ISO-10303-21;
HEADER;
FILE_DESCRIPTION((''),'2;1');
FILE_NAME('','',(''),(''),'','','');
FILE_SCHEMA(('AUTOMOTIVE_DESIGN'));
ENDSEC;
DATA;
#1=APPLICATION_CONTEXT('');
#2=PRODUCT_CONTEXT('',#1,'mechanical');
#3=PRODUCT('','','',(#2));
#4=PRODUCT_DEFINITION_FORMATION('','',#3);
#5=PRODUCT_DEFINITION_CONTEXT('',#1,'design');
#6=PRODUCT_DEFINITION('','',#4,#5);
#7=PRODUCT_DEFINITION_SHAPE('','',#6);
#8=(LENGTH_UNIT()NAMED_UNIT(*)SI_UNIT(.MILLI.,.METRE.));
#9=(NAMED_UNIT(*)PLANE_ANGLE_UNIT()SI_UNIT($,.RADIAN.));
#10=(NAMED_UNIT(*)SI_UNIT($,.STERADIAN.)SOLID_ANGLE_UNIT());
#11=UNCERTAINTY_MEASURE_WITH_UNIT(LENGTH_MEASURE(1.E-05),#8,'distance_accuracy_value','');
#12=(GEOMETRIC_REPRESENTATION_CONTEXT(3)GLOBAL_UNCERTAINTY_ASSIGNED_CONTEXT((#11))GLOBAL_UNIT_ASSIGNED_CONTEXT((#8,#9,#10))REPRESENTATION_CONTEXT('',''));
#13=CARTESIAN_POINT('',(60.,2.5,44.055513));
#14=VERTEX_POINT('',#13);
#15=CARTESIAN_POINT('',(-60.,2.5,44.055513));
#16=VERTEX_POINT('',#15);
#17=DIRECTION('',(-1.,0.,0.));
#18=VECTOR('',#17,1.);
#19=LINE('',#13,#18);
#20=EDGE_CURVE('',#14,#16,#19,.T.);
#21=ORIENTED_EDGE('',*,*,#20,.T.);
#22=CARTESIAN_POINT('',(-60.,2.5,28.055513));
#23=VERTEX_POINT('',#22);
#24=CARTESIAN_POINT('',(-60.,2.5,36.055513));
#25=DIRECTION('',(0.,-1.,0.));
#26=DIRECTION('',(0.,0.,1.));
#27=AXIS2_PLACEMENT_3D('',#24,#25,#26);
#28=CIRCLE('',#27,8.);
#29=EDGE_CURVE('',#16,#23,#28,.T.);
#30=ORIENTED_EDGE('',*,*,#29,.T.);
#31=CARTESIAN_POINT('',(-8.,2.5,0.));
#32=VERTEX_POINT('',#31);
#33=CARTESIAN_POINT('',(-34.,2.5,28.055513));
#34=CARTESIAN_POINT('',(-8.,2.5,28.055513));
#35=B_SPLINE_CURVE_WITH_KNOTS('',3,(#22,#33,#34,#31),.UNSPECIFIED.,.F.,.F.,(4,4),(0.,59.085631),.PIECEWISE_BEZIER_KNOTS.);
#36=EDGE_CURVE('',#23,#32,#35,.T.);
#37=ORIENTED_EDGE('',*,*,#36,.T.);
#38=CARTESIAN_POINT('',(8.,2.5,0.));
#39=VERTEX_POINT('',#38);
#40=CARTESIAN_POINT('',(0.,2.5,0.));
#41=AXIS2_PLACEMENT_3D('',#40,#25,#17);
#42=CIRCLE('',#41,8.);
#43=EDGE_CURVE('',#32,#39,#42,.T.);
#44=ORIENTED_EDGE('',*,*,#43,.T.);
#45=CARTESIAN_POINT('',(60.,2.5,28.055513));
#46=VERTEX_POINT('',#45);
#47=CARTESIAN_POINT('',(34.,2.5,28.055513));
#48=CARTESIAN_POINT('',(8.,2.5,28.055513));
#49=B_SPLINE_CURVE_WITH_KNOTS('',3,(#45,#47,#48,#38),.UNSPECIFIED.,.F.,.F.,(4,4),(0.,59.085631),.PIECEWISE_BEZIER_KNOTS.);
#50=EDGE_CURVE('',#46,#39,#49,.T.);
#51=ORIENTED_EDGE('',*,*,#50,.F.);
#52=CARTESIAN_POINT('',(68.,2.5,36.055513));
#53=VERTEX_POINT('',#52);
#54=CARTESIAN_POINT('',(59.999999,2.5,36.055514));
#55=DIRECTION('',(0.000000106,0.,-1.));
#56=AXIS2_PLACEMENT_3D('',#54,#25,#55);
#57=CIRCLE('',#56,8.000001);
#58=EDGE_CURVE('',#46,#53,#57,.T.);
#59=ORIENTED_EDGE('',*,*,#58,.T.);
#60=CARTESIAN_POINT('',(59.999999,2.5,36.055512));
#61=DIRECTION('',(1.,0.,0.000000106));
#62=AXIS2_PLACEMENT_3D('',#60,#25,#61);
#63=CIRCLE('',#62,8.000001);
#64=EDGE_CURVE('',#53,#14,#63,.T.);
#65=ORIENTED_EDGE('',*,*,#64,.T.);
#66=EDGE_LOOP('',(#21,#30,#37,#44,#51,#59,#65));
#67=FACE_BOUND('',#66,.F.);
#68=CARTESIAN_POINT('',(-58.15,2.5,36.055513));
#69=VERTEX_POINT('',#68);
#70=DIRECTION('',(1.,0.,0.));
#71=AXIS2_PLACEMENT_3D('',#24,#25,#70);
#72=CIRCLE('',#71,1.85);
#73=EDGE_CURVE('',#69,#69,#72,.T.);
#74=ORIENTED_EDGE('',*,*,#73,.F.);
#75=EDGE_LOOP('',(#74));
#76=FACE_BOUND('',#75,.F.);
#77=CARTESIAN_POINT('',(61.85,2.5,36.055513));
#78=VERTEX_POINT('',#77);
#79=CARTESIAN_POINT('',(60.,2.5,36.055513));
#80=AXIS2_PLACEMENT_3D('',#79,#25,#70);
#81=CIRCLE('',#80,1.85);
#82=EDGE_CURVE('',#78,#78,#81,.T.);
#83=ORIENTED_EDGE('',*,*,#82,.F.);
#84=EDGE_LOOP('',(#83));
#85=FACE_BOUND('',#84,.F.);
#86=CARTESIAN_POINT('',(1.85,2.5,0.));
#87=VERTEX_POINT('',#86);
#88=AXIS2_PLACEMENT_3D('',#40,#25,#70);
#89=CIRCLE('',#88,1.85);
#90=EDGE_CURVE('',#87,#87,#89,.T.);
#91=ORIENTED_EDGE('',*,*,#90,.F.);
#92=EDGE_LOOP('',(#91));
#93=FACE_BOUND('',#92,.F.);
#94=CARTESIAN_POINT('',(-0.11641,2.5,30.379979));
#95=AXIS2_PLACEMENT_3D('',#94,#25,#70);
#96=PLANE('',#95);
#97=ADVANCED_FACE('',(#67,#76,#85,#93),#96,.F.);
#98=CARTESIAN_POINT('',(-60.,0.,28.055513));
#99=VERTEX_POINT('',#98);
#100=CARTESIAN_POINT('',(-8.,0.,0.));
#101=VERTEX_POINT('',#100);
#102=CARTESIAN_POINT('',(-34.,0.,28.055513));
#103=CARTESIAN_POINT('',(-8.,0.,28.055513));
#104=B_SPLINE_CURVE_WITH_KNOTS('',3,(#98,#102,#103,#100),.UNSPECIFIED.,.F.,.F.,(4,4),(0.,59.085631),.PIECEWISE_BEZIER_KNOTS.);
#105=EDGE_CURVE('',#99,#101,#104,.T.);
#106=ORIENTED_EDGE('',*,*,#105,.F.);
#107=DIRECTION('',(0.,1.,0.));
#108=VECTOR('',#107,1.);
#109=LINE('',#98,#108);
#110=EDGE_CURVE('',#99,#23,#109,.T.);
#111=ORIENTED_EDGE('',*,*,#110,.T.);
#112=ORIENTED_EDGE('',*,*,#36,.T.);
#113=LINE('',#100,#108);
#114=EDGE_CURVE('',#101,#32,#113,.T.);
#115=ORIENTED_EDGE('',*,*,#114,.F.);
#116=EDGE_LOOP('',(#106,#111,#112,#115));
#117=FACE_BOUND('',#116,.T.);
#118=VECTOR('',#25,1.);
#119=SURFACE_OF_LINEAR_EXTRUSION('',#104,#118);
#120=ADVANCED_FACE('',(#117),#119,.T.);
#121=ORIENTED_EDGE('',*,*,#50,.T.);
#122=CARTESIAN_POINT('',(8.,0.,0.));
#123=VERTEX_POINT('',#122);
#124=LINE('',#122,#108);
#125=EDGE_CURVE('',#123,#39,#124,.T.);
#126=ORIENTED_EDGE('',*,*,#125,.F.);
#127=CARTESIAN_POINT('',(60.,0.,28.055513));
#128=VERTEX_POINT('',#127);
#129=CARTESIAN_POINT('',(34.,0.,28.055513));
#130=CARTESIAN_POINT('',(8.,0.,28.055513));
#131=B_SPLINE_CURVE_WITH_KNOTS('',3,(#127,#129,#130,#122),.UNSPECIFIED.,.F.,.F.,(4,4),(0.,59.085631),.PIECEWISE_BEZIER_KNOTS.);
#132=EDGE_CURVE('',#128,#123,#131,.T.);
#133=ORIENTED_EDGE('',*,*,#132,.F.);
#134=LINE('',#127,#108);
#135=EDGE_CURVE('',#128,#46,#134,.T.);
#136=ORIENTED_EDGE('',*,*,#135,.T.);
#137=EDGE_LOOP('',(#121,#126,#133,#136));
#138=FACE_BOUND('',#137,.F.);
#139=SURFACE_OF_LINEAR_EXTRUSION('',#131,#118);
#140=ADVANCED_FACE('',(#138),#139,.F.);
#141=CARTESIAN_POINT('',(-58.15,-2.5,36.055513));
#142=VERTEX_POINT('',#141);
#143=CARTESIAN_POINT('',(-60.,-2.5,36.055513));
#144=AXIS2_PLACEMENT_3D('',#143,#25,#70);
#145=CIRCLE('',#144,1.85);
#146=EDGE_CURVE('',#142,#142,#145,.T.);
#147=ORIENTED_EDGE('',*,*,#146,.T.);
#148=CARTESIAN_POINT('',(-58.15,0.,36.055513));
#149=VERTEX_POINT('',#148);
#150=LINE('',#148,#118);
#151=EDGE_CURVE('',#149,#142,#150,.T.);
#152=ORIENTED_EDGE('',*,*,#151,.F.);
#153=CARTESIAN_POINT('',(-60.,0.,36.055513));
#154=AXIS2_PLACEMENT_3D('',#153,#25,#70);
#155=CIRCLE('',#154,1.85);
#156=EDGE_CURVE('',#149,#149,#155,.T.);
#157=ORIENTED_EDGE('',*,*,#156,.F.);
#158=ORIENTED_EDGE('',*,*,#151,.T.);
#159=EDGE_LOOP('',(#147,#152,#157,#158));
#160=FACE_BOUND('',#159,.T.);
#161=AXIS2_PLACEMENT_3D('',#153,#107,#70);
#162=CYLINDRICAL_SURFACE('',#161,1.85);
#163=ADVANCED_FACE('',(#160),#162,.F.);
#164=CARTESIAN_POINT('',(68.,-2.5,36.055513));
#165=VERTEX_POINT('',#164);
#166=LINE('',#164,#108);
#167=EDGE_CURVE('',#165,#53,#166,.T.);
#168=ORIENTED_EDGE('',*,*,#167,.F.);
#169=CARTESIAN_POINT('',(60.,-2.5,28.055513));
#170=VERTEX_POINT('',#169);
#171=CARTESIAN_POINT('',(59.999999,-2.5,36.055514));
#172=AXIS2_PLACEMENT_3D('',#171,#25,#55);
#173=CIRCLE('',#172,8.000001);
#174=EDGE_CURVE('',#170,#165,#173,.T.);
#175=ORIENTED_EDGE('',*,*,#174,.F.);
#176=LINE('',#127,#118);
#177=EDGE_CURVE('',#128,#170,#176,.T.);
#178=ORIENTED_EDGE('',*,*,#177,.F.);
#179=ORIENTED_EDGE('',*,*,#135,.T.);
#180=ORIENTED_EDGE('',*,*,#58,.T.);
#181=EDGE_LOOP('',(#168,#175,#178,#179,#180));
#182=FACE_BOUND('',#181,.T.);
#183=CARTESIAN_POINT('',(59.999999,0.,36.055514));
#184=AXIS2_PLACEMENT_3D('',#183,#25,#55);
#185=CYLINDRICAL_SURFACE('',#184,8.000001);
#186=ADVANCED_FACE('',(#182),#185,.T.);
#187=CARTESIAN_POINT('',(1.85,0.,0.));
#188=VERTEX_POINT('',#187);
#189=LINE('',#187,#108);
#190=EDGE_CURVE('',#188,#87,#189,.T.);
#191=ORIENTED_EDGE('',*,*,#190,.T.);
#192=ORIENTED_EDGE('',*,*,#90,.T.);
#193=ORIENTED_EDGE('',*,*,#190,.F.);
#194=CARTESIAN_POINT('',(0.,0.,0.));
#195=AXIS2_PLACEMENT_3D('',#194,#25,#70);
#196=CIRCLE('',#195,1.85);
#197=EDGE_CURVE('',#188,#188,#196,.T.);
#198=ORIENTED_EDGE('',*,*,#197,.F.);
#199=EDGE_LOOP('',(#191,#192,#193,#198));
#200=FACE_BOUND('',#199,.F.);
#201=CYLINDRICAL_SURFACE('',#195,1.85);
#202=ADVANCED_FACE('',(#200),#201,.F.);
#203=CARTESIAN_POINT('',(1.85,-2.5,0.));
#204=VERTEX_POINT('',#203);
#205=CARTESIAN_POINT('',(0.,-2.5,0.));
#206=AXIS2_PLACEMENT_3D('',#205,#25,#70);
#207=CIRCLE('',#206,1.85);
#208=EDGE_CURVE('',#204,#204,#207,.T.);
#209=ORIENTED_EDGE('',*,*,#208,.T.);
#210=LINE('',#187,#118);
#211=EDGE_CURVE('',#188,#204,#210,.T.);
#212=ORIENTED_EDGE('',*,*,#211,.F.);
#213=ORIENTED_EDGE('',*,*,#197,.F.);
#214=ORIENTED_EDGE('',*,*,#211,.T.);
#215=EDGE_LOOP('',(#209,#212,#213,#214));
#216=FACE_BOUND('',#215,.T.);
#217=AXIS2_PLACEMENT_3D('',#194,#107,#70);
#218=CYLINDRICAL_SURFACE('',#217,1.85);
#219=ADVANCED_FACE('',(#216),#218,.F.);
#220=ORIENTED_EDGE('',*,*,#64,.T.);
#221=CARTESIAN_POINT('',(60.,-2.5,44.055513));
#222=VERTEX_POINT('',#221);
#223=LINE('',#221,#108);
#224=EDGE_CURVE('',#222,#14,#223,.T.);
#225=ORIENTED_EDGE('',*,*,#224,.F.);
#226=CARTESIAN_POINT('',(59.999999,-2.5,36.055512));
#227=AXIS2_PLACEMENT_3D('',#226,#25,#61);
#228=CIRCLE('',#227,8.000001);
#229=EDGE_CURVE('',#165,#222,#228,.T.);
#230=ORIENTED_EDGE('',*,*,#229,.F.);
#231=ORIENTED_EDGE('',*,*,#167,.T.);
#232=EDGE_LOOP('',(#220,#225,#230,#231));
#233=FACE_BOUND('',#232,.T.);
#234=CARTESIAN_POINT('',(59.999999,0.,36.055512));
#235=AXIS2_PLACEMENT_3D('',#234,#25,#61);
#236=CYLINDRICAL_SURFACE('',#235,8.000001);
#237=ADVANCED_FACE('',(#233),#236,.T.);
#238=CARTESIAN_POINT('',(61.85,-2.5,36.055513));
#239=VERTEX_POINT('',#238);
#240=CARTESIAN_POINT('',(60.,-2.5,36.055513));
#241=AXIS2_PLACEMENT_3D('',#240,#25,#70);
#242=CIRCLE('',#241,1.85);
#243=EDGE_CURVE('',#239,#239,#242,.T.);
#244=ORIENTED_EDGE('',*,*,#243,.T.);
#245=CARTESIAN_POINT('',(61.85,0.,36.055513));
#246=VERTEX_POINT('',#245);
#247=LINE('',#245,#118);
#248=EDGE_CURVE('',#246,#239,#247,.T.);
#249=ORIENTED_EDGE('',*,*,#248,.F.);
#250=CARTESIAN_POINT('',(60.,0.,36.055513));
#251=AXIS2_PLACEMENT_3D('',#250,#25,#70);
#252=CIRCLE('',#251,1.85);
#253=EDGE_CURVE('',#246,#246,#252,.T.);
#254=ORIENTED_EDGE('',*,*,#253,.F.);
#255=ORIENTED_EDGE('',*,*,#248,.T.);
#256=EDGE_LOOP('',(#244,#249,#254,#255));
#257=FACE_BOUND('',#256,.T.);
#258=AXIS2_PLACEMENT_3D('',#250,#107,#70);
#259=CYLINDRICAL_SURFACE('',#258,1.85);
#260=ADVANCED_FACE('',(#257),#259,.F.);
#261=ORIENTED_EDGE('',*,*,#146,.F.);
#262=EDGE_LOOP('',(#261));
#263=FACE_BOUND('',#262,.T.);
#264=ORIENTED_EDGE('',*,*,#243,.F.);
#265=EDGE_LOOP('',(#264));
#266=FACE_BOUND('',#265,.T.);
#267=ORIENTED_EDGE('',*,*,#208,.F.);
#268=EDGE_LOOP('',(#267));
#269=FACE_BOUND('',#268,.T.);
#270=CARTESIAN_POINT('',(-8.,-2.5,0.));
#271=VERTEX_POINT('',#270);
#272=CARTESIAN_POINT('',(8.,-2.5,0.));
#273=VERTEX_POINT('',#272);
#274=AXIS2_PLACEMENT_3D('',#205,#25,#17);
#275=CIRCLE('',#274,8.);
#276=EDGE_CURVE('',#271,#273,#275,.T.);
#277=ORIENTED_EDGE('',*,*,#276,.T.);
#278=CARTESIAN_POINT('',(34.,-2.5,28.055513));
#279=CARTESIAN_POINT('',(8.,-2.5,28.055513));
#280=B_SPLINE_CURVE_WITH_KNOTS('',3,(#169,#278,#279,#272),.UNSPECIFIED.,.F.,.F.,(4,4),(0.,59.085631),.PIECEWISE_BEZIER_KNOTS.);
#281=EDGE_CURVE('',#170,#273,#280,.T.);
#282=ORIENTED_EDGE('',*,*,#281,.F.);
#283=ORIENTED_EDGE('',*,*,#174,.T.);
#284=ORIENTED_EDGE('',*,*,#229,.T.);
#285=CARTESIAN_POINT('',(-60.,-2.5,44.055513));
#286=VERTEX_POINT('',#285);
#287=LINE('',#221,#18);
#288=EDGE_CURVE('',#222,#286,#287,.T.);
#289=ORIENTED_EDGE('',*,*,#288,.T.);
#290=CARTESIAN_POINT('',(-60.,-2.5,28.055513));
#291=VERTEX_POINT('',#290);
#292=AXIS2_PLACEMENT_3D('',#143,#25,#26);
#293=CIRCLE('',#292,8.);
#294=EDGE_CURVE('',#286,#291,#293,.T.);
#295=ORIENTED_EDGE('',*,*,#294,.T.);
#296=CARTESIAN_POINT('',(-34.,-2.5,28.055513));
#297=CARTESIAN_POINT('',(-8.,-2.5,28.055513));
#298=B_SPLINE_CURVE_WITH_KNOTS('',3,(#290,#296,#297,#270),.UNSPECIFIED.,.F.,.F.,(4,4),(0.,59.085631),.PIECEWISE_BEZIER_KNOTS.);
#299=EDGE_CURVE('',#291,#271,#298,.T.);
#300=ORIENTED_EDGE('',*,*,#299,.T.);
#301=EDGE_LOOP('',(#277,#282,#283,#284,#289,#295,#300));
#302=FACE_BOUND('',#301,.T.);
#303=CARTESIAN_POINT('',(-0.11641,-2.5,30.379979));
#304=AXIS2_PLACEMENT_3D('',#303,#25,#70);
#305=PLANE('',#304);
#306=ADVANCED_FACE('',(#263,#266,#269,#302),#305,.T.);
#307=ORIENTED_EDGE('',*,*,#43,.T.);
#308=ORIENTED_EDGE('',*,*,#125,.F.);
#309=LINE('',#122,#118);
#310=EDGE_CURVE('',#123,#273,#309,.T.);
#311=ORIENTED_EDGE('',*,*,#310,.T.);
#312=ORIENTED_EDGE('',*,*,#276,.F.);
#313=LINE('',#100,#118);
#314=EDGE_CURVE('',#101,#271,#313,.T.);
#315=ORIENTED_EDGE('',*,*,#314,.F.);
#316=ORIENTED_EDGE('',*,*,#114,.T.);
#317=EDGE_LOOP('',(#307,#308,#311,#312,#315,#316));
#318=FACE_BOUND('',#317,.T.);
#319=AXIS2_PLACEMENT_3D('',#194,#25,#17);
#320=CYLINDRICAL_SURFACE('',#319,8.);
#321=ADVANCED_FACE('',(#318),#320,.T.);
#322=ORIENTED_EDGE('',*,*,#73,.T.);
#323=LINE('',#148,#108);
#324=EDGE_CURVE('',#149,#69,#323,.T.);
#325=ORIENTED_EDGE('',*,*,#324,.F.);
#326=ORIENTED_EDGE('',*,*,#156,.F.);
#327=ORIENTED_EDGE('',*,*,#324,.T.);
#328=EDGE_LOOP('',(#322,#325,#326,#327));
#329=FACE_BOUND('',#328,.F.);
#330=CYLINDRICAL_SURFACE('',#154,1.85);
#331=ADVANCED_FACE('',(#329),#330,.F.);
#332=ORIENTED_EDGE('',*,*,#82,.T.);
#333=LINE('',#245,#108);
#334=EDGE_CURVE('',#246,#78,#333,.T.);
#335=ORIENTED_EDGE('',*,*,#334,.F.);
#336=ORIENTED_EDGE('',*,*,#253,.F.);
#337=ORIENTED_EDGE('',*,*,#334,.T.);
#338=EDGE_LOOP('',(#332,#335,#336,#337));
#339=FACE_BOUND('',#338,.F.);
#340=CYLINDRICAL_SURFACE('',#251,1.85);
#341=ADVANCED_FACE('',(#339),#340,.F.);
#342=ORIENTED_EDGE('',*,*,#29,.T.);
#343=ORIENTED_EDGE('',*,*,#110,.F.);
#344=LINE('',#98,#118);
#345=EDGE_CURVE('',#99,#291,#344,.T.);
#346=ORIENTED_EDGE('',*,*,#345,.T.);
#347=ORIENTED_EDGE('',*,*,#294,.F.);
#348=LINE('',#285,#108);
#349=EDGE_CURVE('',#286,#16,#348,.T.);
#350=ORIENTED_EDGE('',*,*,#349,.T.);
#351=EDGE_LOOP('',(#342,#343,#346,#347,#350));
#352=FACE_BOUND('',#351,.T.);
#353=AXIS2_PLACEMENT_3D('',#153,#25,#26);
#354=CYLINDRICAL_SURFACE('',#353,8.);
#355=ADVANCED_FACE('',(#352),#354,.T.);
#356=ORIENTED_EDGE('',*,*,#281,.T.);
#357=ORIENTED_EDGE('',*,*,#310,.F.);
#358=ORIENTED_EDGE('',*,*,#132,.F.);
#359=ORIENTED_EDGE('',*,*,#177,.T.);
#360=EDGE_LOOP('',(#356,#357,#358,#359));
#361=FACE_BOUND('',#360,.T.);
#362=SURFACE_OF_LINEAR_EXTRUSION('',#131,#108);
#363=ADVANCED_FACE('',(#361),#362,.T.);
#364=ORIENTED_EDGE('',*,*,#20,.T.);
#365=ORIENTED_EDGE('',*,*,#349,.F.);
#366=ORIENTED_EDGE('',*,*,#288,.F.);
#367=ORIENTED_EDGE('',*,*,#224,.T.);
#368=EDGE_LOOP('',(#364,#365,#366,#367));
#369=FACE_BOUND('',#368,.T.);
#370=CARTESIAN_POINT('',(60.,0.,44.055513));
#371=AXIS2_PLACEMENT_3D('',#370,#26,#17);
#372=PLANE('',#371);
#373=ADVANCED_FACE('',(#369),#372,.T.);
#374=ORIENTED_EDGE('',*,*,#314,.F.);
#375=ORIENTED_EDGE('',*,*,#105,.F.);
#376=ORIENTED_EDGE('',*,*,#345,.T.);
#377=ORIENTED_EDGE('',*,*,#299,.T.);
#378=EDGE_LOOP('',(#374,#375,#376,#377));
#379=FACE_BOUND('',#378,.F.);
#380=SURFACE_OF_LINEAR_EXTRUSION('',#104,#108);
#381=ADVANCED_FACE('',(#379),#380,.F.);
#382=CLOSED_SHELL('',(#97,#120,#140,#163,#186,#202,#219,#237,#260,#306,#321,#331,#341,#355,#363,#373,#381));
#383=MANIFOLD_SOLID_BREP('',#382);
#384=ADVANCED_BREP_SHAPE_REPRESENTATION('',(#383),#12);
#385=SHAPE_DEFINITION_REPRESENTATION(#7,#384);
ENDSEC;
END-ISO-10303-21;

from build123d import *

# Parameters (mm, degrees)
F0_R     = 1.85
F1_DEPTH = 2.5


with BuildPart() as f1:
    # F0 (on Front) → F1 (new body, symmetric)
    with BuildSketch(Plane.XZ):
        with BuildLine():
            ThreePointArc((-60, 44.055513), (-54.343146, 41.712367), (-52, 36.055513))
            ThreePointArc((-52, 36.055513), (-54.343146, 30.398659), (-60, 28.055513))
            add(Edge.make_bspline(
                [(-60, 28.055513), (-34, 28.055513), (-8, 28.055513), (-8, 0)],
                knots=[0, 0, 0, 0, 59.085631, 59.085631, 59.085631, 59.085631], degree=3))
            ThreePointArc((-8, 0), (0, 8), (8, 0))
            add(Edge.make_bspline(
                [(60, 28.055513), (34, 28.055513), (8, 28.055513), (8, 0)],
                knots=[0, 0, 0, 0, 59.085631, 59.085631, 59.085631, 59.085631], degree=3))
            ThreePointArc((60, 28.055513), (52, 36.055513), (60, 44.055513))
            Line((60, 44.055513), (-60, 44.055513))
        make_face()
        with BuildLine():
            ThreePointArc((-60, 28.055513), (-54.343146, 30.398659), (-52, 36.055513))
            ThreePointArc((-52, 36.055513), (-54.343146, 41.712367), (-60, 44.055513))
            ThreePointArc((-60, 44.055513), (-68, 36.055513), (-60, 28.055513))
        make_face()
        with Locations((-60, 36.055513)):
            Circle(F0_R, mode=Mode.SUBTRACT)
        with BuildLine():
            ThreePointArc((8, 0), (0, 8), (-8, 0))
            ThreePointArc((-8, 0), (0, -8), (8, 0))
        make_face()
        Circle(F0_R, mode=Mode.SUBTRACT)
        with BuildLine():
            ThreePointArc((68, 36.055513), (65.656854, 41.712367), (60, 44.055513))
            ThreePointArc((60, 44.055513), (52, 36.055513), (60, 28.055513))
            ThreePointArc((60, 28.055513), (65.656854, 30.398659), (68, 36.055513))
        make_face()
        with Locations((60, 36.055513)):
            Circle(F0_R, mode=Mode.SUBTRACT)
    extrude(amount=F1_DEPTH, both=True)


solid = f1.part
